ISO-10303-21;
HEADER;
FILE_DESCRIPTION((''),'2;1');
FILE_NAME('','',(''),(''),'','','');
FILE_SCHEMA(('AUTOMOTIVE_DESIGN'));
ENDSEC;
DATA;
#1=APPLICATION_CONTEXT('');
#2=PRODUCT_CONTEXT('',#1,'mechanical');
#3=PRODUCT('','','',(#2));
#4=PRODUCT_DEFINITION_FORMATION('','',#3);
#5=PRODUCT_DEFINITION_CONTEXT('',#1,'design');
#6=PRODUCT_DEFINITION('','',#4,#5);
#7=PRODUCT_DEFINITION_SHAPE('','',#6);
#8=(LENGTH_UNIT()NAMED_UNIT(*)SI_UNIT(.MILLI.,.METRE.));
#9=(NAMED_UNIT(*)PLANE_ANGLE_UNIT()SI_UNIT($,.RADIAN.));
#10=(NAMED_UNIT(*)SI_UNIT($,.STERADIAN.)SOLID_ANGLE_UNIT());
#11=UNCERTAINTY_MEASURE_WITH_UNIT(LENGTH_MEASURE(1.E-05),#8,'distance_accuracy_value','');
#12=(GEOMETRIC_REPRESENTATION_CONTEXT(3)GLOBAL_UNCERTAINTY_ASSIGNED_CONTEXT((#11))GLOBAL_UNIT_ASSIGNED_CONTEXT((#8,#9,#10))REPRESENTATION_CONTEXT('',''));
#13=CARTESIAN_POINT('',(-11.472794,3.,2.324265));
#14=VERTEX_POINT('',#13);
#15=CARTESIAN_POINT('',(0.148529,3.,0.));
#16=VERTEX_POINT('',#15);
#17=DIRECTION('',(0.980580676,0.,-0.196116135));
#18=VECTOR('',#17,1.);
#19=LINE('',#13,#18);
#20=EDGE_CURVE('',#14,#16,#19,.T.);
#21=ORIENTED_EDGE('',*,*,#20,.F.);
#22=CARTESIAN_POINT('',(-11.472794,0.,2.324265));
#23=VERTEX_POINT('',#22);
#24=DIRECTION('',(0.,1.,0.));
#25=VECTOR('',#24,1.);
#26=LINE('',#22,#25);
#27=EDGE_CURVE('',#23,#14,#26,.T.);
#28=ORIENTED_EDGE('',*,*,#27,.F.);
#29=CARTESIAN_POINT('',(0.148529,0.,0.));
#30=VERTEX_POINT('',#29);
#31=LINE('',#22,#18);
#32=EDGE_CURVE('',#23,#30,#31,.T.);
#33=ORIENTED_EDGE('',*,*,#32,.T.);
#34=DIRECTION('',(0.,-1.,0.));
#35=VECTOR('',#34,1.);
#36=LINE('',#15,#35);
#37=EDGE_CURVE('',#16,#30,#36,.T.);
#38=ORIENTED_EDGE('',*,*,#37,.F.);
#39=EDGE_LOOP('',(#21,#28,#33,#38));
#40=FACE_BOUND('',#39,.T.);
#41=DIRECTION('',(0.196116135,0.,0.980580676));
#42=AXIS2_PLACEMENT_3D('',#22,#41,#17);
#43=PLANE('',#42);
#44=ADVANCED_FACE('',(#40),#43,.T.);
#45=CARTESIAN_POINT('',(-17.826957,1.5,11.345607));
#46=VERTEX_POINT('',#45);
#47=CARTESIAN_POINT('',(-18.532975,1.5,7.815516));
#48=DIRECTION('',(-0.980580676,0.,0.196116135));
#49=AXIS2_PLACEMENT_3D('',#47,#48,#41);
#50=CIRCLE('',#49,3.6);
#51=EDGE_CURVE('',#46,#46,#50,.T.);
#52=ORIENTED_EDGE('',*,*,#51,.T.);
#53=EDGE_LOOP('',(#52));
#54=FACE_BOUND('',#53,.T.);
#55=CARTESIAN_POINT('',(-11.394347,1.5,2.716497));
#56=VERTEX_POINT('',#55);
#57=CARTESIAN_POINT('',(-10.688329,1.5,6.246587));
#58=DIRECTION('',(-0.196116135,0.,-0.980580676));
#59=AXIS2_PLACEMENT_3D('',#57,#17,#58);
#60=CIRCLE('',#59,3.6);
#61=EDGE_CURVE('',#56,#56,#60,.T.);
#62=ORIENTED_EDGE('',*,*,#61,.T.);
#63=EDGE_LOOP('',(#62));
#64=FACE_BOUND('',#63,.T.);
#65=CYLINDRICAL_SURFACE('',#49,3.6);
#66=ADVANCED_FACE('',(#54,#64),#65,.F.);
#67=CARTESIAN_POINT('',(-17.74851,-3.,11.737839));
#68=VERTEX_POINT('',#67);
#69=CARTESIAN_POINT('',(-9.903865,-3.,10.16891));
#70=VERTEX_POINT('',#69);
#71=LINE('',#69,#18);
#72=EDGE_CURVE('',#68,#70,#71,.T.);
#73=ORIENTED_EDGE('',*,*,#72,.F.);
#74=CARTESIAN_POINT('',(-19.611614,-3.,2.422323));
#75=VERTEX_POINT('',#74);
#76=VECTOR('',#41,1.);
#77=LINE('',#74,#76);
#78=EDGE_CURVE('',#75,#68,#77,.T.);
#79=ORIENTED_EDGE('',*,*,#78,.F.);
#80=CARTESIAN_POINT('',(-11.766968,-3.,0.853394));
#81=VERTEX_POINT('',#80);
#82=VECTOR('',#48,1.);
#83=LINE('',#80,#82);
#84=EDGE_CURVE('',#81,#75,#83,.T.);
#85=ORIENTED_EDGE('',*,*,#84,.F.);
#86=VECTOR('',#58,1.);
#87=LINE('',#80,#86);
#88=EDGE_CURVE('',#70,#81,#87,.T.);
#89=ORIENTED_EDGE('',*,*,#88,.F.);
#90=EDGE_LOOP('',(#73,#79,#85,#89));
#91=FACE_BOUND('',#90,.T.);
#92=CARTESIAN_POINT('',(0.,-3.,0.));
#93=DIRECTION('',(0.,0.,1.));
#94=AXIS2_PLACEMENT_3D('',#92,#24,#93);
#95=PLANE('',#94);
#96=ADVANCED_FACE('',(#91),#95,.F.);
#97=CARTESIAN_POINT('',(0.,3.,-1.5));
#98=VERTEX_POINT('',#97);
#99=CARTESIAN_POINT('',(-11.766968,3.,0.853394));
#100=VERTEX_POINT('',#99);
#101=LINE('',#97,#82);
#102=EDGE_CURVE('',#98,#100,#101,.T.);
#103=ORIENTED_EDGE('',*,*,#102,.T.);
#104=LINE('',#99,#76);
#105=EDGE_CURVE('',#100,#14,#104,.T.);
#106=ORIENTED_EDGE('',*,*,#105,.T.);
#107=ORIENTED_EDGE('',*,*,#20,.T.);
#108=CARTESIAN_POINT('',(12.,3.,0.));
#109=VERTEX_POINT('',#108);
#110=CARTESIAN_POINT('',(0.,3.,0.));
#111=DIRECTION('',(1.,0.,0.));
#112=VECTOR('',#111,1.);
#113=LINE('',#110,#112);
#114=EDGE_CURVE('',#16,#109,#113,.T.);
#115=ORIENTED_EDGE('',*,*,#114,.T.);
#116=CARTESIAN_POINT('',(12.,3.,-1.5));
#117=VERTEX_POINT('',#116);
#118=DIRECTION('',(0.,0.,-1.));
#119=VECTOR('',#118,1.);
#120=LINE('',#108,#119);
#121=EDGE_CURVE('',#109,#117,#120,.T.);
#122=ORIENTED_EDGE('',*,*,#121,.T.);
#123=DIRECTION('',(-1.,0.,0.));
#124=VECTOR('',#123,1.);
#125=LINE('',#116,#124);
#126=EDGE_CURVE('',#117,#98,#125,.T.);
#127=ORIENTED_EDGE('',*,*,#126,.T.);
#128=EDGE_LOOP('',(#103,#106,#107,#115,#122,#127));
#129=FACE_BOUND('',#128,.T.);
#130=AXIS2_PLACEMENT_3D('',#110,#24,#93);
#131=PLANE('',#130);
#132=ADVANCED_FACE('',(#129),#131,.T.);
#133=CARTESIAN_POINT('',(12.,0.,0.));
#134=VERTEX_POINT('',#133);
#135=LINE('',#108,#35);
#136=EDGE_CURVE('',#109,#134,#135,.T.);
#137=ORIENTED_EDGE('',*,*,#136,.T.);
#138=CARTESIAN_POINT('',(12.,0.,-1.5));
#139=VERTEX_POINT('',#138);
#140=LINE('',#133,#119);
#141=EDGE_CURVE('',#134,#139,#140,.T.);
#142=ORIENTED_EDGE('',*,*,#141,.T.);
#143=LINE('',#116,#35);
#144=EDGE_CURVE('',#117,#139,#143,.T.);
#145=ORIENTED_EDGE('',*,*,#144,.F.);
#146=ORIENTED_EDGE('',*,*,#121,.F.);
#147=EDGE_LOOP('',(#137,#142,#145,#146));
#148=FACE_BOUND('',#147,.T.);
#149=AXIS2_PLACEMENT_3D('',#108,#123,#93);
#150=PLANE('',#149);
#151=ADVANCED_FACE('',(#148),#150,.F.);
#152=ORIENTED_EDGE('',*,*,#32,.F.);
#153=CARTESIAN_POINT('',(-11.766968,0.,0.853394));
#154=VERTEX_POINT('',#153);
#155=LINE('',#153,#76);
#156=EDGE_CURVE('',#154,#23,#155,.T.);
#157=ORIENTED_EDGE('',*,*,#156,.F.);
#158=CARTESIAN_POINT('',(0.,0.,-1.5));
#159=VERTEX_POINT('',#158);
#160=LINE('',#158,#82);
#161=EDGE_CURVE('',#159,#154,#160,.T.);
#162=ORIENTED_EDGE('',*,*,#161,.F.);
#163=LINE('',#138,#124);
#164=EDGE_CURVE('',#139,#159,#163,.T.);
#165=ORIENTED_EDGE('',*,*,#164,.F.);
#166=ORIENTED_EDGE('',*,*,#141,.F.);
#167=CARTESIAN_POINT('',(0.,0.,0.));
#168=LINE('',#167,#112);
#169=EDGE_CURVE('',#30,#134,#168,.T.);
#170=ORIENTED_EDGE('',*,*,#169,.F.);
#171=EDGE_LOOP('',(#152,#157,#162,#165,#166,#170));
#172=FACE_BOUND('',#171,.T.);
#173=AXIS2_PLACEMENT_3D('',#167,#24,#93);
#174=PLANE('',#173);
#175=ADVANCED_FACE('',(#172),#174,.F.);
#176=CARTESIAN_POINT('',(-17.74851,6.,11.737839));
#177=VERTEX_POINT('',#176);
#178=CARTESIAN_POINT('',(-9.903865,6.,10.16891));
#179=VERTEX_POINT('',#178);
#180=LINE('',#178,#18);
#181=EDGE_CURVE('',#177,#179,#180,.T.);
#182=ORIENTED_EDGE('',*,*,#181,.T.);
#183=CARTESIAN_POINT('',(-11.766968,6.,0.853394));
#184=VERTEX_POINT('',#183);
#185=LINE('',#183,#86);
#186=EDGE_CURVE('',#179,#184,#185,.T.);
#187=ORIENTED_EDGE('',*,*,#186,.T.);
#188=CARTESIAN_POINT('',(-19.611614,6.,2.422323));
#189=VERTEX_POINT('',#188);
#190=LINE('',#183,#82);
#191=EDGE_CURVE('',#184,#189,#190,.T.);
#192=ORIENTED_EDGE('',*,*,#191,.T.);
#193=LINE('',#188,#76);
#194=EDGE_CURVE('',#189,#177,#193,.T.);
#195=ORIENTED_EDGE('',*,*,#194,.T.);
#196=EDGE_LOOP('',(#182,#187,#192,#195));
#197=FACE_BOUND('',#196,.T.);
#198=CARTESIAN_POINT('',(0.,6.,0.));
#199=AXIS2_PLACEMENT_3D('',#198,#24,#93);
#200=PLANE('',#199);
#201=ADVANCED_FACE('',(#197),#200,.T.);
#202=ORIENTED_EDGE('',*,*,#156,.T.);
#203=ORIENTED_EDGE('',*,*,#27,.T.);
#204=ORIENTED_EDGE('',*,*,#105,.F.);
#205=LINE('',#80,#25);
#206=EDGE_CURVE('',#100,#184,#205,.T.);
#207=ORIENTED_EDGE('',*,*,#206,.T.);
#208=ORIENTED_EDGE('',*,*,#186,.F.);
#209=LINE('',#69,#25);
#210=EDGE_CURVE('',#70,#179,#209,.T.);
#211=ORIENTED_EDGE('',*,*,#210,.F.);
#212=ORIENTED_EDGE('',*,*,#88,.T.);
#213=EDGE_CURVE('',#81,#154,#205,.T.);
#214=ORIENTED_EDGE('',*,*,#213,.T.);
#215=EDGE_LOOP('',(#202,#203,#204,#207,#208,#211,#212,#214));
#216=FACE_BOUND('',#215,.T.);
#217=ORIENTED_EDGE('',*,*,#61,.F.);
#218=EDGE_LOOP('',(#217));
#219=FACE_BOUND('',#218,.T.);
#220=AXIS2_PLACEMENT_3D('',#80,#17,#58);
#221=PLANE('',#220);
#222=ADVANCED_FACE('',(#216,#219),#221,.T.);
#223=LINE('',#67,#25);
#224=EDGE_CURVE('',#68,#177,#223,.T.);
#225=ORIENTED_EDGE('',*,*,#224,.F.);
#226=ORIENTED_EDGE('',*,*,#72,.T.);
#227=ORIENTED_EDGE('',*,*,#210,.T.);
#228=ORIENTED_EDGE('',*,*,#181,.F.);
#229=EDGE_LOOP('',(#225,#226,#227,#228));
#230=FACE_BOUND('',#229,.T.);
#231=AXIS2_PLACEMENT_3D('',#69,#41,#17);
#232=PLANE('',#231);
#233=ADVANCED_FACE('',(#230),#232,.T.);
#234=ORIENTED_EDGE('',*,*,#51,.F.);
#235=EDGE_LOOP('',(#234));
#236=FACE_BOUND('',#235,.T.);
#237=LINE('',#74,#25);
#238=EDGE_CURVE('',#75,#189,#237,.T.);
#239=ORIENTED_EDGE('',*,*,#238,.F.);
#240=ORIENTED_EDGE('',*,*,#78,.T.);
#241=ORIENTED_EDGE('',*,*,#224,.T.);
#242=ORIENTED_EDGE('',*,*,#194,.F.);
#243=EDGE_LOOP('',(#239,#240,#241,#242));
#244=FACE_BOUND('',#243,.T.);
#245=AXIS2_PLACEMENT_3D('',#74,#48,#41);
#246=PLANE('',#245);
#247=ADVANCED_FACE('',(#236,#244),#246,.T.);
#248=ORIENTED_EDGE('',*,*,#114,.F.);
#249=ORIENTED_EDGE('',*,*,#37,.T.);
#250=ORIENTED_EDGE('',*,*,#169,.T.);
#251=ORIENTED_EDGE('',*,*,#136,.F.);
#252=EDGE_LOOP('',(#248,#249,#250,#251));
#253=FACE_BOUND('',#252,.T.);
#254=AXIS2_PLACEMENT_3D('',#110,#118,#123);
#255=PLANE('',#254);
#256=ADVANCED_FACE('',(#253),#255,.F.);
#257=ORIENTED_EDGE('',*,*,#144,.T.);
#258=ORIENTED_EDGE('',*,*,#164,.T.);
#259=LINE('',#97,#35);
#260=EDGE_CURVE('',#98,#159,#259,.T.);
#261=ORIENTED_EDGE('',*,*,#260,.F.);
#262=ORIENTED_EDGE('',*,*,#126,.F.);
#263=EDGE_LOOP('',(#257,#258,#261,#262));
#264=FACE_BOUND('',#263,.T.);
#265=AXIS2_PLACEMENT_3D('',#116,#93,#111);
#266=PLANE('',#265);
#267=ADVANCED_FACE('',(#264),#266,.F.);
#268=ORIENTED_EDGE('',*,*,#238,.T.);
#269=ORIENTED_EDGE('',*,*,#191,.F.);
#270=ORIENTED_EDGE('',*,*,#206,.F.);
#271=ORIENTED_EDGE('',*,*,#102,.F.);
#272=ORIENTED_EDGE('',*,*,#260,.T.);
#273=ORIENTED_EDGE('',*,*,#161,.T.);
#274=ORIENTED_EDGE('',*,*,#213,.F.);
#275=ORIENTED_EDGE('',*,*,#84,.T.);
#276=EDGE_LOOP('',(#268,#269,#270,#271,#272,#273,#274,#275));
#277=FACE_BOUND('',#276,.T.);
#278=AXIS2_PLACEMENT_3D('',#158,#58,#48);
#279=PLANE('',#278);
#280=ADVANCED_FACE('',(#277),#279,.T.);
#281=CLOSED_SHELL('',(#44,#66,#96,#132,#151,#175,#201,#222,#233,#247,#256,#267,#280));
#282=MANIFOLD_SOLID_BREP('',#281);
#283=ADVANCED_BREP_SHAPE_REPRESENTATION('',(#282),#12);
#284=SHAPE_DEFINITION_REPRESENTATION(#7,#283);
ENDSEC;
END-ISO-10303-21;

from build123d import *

# Parameters (mm, degrees)
SKETCH1_W                        = 12
SKETCH1_H                        = 1.5
BOSS_EXTRUDE1_DEPTH              = 3
BOSS_EXTRUDE2_DEPTH              = 3
BOSS_EXTRUDE3_DEPTH              = 3
BOSS_EXTRUDE3_DEPTH_BACK         = 6
F_97_0_0059_DIAMETER_HOLE1_D     = 7.200000078
F_97_0_0059_DIAMETER_HOLE1_DEPTH = 10


with BuildPart() as part:
    # Sketch1 → Boss-Extrude1 (new body)
    with BuildSketch(Plane(origin=(0, 0, 0), x_dir=(1, 0, 0), z_dir=(0, 1, 0))):
        with Locations((6, 0.75)):
            Rectangle(SKETCH1_W, SKETCH1_H)
    extrude(amount=BOSS_EXTRUDE1_DEPTH)

    # Sketch2 → Boss-Extrude2 (add)
    with BuildSketch(Plane(origin=(0, 3, 0), x_dir=(1, 0, 0), z_dir=(0, 1, 0))):
        Polygon((0, 1.5), (-11.766968108, -0.853393621), (-11.472793906, -2.324264634), (0.294174203, 0.029128986), align=None)
    extrude(amount=-BOSS_EXTRUDE2_DEPTH)

    # Sketch4 → Boss-Extrude3 (add, two sides: drawn at the far end of the back side and taken through both)
    with BuildSketch(Plane(origin=(0, 3, 0), x_dir=(1, 0, 0), z_dir=(0, 1, 0)).offset(-BOSS_EXTRUDE3_DEPTH_BACK)):
        Polygon((-11.766968108, -0.853393621), (-9.903864825, -10.16891004), (-17.748510231, -11.737839121), (-19.611613514, -2.422322701), align=None)
    extrude(amount=BOSS_EXTRUDE3_DEPTH + BOSS_EXTRUDE3_DEPTH_BACK)

    # #97 (0.0059) Diameter Hole1
    with Locations(Plane(origin=(-19.323151976, 0, 3.864630394), x_dir=(0.19611613506937434, 0, 0.9805806757046821), z_dir=(-0.9805806757046821, 0, 0.19611613506937434))):
        with Locations((4.029128986, 1.5)):
            Hole(F_97_0_0059_DIAMETER_HOLE1_D / 2, depth=F_97_0_0059_DIAMETER_HOLE1_DEPTH)


solid = part.part
